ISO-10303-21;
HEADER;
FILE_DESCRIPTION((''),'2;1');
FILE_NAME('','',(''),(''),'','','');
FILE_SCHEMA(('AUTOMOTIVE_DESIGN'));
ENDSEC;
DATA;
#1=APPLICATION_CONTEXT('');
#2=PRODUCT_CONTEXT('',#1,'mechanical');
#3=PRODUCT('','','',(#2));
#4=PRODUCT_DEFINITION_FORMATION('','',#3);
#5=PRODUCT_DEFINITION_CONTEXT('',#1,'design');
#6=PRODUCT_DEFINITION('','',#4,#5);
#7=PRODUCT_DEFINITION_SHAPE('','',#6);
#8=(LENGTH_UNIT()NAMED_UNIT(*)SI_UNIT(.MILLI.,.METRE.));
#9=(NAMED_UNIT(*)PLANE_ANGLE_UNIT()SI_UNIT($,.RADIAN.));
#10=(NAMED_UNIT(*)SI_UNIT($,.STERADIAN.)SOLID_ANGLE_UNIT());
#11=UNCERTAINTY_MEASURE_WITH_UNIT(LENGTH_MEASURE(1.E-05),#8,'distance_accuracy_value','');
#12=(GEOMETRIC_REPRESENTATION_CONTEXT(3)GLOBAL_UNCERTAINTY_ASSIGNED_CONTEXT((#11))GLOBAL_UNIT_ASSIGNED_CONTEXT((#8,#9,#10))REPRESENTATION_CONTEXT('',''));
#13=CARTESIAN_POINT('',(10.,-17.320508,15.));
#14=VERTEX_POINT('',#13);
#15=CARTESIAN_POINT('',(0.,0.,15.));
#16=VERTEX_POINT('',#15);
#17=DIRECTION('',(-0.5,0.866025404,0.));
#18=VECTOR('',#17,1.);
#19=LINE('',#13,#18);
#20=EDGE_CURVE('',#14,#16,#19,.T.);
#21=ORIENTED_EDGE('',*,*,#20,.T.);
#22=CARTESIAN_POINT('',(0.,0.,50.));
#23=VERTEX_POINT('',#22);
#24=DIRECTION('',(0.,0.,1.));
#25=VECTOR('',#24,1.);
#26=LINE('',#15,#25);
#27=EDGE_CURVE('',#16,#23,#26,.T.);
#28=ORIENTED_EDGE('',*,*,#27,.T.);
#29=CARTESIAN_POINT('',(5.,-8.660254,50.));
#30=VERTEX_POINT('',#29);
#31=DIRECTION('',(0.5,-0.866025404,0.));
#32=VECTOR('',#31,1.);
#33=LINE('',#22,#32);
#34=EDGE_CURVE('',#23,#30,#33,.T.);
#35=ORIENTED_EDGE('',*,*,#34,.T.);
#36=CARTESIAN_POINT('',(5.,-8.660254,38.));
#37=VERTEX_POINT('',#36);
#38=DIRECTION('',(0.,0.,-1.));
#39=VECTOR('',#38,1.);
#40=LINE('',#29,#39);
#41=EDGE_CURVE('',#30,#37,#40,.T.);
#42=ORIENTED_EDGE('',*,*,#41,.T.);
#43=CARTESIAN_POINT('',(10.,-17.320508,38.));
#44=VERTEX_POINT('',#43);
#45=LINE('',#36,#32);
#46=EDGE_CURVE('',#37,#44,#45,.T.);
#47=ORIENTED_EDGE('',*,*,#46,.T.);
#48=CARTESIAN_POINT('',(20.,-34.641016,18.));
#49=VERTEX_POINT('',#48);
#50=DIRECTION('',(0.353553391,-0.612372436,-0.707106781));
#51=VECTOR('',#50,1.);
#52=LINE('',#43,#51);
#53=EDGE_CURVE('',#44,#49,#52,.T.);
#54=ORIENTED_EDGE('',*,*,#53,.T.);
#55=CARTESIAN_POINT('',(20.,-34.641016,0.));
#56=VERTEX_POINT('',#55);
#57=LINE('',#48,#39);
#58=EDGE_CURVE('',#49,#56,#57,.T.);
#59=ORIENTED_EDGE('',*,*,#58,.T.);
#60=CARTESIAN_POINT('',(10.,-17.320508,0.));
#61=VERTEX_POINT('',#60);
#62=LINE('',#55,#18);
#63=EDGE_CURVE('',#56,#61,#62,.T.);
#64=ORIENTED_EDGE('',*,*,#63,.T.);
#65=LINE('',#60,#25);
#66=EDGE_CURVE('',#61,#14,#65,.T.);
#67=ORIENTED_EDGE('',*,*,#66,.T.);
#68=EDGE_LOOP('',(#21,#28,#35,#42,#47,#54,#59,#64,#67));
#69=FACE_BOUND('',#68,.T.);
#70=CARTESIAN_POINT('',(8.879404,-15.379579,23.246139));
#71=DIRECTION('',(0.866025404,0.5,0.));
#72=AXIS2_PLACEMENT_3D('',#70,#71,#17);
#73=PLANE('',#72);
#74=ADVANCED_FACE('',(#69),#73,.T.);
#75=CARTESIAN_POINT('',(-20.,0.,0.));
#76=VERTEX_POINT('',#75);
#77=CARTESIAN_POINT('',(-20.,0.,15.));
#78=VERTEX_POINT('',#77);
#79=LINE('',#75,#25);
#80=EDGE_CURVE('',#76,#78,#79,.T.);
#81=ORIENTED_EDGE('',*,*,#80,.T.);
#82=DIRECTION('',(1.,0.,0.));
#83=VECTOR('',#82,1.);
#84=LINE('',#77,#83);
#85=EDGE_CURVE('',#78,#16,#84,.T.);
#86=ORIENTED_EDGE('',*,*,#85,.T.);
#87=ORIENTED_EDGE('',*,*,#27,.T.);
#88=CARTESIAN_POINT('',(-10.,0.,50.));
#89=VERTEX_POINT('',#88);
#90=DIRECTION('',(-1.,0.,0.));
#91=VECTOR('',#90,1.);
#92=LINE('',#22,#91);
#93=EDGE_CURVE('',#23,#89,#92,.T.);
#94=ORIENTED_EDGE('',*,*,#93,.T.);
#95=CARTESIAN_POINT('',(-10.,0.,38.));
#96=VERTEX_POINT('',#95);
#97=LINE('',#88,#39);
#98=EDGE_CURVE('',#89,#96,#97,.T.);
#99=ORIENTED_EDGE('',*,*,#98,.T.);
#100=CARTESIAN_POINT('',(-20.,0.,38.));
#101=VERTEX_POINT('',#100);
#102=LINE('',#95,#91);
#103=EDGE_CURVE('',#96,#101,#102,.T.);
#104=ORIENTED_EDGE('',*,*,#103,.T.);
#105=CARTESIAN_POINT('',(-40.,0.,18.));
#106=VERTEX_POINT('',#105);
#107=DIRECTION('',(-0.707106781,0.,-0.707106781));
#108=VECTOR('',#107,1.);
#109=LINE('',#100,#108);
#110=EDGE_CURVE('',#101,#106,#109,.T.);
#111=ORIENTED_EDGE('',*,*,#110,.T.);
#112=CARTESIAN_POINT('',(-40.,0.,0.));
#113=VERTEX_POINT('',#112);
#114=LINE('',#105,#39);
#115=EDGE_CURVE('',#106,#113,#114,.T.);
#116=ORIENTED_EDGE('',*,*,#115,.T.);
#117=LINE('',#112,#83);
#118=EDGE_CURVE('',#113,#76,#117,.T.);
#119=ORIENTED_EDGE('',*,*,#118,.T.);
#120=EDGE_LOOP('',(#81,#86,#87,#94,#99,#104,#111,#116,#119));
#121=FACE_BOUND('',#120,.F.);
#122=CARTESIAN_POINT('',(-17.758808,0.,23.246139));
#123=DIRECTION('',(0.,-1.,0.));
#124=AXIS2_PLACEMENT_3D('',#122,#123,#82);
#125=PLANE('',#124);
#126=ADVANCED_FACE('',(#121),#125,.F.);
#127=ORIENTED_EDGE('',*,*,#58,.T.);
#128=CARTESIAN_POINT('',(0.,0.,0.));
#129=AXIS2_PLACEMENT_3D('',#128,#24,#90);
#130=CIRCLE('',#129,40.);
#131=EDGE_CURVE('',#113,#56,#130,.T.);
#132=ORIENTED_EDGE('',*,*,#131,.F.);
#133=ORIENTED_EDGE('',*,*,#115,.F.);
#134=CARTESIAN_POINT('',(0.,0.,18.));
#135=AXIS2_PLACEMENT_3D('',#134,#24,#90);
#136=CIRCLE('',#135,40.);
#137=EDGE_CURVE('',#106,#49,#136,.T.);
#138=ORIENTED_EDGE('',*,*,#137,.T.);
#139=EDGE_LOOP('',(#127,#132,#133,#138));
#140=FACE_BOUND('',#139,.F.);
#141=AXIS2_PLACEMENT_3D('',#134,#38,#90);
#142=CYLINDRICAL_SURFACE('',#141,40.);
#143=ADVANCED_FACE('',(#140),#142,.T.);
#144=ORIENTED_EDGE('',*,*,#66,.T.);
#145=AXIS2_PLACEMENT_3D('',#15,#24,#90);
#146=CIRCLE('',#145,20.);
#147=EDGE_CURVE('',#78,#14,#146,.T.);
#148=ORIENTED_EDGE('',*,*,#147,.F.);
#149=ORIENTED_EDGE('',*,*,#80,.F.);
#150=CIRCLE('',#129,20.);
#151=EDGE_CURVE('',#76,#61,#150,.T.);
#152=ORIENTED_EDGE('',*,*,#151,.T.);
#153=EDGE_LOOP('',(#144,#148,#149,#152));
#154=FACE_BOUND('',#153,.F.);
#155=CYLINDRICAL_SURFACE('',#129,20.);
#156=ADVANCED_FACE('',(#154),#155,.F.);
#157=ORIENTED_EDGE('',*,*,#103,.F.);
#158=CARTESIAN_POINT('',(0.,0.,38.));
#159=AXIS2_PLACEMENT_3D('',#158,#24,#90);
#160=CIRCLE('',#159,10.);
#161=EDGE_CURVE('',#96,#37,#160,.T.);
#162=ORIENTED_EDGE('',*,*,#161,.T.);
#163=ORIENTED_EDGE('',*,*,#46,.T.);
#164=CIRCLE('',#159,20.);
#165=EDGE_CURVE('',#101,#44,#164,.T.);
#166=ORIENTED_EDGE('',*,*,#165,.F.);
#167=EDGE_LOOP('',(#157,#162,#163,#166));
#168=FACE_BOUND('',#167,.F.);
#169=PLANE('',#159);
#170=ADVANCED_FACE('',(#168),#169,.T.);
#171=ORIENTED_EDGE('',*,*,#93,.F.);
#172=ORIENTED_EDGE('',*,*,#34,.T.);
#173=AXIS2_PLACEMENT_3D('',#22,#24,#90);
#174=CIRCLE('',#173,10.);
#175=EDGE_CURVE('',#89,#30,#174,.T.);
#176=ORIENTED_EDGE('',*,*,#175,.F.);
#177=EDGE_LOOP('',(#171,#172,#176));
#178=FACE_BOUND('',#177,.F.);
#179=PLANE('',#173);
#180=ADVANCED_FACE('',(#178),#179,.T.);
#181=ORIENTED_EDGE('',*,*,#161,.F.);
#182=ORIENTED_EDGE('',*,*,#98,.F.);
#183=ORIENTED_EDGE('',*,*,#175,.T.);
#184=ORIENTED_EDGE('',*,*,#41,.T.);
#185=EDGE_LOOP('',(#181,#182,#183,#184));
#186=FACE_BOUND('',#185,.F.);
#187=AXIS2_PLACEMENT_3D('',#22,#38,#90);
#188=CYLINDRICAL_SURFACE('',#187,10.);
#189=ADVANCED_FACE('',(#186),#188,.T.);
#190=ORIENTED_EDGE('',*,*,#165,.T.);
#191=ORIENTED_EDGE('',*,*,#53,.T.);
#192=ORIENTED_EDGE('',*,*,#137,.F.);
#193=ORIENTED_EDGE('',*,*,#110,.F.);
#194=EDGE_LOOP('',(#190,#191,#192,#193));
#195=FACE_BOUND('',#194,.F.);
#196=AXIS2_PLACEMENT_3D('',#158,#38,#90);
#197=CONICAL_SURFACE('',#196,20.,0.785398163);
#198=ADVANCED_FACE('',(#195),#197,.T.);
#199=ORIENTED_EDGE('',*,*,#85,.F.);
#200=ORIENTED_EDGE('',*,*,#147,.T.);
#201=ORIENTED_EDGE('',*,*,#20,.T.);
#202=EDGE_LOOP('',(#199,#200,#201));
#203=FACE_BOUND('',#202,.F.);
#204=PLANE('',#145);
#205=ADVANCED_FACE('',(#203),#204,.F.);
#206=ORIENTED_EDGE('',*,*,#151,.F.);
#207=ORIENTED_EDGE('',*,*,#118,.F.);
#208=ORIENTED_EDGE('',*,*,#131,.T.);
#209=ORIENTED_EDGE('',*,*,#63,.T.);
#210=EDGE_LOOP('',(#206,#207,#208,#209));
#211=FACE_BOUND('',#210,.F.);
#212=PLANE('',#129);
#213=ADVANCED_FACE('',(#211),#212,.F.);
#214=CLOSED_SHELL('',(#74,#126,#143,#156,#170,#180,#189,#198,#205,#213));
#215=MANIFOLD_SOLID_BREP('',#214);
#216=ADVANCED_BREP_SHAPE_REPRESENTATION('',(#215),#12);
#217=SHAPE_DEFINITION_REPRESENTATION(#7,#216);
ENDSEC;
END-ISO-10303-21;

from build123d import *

# Parameters (mm, degrees)
F1_ANGLE = 120


with BuildPart() as f1:
    # F0 (on Front) → F1 (revolve)
    with BuildSketch(Plane.XZ):
        Polygon((-20, 15), (0, 15), (0, 50), (-10, 50), (-10, 38), (-20, 38), (-40, 18), (-40, 0), (-20, 0), align=None)
    revolve(axis=Axis((0, 0, 25), (0, 0, 1)), revolution_arc=F1_ANGLE)


solid = f1.part
